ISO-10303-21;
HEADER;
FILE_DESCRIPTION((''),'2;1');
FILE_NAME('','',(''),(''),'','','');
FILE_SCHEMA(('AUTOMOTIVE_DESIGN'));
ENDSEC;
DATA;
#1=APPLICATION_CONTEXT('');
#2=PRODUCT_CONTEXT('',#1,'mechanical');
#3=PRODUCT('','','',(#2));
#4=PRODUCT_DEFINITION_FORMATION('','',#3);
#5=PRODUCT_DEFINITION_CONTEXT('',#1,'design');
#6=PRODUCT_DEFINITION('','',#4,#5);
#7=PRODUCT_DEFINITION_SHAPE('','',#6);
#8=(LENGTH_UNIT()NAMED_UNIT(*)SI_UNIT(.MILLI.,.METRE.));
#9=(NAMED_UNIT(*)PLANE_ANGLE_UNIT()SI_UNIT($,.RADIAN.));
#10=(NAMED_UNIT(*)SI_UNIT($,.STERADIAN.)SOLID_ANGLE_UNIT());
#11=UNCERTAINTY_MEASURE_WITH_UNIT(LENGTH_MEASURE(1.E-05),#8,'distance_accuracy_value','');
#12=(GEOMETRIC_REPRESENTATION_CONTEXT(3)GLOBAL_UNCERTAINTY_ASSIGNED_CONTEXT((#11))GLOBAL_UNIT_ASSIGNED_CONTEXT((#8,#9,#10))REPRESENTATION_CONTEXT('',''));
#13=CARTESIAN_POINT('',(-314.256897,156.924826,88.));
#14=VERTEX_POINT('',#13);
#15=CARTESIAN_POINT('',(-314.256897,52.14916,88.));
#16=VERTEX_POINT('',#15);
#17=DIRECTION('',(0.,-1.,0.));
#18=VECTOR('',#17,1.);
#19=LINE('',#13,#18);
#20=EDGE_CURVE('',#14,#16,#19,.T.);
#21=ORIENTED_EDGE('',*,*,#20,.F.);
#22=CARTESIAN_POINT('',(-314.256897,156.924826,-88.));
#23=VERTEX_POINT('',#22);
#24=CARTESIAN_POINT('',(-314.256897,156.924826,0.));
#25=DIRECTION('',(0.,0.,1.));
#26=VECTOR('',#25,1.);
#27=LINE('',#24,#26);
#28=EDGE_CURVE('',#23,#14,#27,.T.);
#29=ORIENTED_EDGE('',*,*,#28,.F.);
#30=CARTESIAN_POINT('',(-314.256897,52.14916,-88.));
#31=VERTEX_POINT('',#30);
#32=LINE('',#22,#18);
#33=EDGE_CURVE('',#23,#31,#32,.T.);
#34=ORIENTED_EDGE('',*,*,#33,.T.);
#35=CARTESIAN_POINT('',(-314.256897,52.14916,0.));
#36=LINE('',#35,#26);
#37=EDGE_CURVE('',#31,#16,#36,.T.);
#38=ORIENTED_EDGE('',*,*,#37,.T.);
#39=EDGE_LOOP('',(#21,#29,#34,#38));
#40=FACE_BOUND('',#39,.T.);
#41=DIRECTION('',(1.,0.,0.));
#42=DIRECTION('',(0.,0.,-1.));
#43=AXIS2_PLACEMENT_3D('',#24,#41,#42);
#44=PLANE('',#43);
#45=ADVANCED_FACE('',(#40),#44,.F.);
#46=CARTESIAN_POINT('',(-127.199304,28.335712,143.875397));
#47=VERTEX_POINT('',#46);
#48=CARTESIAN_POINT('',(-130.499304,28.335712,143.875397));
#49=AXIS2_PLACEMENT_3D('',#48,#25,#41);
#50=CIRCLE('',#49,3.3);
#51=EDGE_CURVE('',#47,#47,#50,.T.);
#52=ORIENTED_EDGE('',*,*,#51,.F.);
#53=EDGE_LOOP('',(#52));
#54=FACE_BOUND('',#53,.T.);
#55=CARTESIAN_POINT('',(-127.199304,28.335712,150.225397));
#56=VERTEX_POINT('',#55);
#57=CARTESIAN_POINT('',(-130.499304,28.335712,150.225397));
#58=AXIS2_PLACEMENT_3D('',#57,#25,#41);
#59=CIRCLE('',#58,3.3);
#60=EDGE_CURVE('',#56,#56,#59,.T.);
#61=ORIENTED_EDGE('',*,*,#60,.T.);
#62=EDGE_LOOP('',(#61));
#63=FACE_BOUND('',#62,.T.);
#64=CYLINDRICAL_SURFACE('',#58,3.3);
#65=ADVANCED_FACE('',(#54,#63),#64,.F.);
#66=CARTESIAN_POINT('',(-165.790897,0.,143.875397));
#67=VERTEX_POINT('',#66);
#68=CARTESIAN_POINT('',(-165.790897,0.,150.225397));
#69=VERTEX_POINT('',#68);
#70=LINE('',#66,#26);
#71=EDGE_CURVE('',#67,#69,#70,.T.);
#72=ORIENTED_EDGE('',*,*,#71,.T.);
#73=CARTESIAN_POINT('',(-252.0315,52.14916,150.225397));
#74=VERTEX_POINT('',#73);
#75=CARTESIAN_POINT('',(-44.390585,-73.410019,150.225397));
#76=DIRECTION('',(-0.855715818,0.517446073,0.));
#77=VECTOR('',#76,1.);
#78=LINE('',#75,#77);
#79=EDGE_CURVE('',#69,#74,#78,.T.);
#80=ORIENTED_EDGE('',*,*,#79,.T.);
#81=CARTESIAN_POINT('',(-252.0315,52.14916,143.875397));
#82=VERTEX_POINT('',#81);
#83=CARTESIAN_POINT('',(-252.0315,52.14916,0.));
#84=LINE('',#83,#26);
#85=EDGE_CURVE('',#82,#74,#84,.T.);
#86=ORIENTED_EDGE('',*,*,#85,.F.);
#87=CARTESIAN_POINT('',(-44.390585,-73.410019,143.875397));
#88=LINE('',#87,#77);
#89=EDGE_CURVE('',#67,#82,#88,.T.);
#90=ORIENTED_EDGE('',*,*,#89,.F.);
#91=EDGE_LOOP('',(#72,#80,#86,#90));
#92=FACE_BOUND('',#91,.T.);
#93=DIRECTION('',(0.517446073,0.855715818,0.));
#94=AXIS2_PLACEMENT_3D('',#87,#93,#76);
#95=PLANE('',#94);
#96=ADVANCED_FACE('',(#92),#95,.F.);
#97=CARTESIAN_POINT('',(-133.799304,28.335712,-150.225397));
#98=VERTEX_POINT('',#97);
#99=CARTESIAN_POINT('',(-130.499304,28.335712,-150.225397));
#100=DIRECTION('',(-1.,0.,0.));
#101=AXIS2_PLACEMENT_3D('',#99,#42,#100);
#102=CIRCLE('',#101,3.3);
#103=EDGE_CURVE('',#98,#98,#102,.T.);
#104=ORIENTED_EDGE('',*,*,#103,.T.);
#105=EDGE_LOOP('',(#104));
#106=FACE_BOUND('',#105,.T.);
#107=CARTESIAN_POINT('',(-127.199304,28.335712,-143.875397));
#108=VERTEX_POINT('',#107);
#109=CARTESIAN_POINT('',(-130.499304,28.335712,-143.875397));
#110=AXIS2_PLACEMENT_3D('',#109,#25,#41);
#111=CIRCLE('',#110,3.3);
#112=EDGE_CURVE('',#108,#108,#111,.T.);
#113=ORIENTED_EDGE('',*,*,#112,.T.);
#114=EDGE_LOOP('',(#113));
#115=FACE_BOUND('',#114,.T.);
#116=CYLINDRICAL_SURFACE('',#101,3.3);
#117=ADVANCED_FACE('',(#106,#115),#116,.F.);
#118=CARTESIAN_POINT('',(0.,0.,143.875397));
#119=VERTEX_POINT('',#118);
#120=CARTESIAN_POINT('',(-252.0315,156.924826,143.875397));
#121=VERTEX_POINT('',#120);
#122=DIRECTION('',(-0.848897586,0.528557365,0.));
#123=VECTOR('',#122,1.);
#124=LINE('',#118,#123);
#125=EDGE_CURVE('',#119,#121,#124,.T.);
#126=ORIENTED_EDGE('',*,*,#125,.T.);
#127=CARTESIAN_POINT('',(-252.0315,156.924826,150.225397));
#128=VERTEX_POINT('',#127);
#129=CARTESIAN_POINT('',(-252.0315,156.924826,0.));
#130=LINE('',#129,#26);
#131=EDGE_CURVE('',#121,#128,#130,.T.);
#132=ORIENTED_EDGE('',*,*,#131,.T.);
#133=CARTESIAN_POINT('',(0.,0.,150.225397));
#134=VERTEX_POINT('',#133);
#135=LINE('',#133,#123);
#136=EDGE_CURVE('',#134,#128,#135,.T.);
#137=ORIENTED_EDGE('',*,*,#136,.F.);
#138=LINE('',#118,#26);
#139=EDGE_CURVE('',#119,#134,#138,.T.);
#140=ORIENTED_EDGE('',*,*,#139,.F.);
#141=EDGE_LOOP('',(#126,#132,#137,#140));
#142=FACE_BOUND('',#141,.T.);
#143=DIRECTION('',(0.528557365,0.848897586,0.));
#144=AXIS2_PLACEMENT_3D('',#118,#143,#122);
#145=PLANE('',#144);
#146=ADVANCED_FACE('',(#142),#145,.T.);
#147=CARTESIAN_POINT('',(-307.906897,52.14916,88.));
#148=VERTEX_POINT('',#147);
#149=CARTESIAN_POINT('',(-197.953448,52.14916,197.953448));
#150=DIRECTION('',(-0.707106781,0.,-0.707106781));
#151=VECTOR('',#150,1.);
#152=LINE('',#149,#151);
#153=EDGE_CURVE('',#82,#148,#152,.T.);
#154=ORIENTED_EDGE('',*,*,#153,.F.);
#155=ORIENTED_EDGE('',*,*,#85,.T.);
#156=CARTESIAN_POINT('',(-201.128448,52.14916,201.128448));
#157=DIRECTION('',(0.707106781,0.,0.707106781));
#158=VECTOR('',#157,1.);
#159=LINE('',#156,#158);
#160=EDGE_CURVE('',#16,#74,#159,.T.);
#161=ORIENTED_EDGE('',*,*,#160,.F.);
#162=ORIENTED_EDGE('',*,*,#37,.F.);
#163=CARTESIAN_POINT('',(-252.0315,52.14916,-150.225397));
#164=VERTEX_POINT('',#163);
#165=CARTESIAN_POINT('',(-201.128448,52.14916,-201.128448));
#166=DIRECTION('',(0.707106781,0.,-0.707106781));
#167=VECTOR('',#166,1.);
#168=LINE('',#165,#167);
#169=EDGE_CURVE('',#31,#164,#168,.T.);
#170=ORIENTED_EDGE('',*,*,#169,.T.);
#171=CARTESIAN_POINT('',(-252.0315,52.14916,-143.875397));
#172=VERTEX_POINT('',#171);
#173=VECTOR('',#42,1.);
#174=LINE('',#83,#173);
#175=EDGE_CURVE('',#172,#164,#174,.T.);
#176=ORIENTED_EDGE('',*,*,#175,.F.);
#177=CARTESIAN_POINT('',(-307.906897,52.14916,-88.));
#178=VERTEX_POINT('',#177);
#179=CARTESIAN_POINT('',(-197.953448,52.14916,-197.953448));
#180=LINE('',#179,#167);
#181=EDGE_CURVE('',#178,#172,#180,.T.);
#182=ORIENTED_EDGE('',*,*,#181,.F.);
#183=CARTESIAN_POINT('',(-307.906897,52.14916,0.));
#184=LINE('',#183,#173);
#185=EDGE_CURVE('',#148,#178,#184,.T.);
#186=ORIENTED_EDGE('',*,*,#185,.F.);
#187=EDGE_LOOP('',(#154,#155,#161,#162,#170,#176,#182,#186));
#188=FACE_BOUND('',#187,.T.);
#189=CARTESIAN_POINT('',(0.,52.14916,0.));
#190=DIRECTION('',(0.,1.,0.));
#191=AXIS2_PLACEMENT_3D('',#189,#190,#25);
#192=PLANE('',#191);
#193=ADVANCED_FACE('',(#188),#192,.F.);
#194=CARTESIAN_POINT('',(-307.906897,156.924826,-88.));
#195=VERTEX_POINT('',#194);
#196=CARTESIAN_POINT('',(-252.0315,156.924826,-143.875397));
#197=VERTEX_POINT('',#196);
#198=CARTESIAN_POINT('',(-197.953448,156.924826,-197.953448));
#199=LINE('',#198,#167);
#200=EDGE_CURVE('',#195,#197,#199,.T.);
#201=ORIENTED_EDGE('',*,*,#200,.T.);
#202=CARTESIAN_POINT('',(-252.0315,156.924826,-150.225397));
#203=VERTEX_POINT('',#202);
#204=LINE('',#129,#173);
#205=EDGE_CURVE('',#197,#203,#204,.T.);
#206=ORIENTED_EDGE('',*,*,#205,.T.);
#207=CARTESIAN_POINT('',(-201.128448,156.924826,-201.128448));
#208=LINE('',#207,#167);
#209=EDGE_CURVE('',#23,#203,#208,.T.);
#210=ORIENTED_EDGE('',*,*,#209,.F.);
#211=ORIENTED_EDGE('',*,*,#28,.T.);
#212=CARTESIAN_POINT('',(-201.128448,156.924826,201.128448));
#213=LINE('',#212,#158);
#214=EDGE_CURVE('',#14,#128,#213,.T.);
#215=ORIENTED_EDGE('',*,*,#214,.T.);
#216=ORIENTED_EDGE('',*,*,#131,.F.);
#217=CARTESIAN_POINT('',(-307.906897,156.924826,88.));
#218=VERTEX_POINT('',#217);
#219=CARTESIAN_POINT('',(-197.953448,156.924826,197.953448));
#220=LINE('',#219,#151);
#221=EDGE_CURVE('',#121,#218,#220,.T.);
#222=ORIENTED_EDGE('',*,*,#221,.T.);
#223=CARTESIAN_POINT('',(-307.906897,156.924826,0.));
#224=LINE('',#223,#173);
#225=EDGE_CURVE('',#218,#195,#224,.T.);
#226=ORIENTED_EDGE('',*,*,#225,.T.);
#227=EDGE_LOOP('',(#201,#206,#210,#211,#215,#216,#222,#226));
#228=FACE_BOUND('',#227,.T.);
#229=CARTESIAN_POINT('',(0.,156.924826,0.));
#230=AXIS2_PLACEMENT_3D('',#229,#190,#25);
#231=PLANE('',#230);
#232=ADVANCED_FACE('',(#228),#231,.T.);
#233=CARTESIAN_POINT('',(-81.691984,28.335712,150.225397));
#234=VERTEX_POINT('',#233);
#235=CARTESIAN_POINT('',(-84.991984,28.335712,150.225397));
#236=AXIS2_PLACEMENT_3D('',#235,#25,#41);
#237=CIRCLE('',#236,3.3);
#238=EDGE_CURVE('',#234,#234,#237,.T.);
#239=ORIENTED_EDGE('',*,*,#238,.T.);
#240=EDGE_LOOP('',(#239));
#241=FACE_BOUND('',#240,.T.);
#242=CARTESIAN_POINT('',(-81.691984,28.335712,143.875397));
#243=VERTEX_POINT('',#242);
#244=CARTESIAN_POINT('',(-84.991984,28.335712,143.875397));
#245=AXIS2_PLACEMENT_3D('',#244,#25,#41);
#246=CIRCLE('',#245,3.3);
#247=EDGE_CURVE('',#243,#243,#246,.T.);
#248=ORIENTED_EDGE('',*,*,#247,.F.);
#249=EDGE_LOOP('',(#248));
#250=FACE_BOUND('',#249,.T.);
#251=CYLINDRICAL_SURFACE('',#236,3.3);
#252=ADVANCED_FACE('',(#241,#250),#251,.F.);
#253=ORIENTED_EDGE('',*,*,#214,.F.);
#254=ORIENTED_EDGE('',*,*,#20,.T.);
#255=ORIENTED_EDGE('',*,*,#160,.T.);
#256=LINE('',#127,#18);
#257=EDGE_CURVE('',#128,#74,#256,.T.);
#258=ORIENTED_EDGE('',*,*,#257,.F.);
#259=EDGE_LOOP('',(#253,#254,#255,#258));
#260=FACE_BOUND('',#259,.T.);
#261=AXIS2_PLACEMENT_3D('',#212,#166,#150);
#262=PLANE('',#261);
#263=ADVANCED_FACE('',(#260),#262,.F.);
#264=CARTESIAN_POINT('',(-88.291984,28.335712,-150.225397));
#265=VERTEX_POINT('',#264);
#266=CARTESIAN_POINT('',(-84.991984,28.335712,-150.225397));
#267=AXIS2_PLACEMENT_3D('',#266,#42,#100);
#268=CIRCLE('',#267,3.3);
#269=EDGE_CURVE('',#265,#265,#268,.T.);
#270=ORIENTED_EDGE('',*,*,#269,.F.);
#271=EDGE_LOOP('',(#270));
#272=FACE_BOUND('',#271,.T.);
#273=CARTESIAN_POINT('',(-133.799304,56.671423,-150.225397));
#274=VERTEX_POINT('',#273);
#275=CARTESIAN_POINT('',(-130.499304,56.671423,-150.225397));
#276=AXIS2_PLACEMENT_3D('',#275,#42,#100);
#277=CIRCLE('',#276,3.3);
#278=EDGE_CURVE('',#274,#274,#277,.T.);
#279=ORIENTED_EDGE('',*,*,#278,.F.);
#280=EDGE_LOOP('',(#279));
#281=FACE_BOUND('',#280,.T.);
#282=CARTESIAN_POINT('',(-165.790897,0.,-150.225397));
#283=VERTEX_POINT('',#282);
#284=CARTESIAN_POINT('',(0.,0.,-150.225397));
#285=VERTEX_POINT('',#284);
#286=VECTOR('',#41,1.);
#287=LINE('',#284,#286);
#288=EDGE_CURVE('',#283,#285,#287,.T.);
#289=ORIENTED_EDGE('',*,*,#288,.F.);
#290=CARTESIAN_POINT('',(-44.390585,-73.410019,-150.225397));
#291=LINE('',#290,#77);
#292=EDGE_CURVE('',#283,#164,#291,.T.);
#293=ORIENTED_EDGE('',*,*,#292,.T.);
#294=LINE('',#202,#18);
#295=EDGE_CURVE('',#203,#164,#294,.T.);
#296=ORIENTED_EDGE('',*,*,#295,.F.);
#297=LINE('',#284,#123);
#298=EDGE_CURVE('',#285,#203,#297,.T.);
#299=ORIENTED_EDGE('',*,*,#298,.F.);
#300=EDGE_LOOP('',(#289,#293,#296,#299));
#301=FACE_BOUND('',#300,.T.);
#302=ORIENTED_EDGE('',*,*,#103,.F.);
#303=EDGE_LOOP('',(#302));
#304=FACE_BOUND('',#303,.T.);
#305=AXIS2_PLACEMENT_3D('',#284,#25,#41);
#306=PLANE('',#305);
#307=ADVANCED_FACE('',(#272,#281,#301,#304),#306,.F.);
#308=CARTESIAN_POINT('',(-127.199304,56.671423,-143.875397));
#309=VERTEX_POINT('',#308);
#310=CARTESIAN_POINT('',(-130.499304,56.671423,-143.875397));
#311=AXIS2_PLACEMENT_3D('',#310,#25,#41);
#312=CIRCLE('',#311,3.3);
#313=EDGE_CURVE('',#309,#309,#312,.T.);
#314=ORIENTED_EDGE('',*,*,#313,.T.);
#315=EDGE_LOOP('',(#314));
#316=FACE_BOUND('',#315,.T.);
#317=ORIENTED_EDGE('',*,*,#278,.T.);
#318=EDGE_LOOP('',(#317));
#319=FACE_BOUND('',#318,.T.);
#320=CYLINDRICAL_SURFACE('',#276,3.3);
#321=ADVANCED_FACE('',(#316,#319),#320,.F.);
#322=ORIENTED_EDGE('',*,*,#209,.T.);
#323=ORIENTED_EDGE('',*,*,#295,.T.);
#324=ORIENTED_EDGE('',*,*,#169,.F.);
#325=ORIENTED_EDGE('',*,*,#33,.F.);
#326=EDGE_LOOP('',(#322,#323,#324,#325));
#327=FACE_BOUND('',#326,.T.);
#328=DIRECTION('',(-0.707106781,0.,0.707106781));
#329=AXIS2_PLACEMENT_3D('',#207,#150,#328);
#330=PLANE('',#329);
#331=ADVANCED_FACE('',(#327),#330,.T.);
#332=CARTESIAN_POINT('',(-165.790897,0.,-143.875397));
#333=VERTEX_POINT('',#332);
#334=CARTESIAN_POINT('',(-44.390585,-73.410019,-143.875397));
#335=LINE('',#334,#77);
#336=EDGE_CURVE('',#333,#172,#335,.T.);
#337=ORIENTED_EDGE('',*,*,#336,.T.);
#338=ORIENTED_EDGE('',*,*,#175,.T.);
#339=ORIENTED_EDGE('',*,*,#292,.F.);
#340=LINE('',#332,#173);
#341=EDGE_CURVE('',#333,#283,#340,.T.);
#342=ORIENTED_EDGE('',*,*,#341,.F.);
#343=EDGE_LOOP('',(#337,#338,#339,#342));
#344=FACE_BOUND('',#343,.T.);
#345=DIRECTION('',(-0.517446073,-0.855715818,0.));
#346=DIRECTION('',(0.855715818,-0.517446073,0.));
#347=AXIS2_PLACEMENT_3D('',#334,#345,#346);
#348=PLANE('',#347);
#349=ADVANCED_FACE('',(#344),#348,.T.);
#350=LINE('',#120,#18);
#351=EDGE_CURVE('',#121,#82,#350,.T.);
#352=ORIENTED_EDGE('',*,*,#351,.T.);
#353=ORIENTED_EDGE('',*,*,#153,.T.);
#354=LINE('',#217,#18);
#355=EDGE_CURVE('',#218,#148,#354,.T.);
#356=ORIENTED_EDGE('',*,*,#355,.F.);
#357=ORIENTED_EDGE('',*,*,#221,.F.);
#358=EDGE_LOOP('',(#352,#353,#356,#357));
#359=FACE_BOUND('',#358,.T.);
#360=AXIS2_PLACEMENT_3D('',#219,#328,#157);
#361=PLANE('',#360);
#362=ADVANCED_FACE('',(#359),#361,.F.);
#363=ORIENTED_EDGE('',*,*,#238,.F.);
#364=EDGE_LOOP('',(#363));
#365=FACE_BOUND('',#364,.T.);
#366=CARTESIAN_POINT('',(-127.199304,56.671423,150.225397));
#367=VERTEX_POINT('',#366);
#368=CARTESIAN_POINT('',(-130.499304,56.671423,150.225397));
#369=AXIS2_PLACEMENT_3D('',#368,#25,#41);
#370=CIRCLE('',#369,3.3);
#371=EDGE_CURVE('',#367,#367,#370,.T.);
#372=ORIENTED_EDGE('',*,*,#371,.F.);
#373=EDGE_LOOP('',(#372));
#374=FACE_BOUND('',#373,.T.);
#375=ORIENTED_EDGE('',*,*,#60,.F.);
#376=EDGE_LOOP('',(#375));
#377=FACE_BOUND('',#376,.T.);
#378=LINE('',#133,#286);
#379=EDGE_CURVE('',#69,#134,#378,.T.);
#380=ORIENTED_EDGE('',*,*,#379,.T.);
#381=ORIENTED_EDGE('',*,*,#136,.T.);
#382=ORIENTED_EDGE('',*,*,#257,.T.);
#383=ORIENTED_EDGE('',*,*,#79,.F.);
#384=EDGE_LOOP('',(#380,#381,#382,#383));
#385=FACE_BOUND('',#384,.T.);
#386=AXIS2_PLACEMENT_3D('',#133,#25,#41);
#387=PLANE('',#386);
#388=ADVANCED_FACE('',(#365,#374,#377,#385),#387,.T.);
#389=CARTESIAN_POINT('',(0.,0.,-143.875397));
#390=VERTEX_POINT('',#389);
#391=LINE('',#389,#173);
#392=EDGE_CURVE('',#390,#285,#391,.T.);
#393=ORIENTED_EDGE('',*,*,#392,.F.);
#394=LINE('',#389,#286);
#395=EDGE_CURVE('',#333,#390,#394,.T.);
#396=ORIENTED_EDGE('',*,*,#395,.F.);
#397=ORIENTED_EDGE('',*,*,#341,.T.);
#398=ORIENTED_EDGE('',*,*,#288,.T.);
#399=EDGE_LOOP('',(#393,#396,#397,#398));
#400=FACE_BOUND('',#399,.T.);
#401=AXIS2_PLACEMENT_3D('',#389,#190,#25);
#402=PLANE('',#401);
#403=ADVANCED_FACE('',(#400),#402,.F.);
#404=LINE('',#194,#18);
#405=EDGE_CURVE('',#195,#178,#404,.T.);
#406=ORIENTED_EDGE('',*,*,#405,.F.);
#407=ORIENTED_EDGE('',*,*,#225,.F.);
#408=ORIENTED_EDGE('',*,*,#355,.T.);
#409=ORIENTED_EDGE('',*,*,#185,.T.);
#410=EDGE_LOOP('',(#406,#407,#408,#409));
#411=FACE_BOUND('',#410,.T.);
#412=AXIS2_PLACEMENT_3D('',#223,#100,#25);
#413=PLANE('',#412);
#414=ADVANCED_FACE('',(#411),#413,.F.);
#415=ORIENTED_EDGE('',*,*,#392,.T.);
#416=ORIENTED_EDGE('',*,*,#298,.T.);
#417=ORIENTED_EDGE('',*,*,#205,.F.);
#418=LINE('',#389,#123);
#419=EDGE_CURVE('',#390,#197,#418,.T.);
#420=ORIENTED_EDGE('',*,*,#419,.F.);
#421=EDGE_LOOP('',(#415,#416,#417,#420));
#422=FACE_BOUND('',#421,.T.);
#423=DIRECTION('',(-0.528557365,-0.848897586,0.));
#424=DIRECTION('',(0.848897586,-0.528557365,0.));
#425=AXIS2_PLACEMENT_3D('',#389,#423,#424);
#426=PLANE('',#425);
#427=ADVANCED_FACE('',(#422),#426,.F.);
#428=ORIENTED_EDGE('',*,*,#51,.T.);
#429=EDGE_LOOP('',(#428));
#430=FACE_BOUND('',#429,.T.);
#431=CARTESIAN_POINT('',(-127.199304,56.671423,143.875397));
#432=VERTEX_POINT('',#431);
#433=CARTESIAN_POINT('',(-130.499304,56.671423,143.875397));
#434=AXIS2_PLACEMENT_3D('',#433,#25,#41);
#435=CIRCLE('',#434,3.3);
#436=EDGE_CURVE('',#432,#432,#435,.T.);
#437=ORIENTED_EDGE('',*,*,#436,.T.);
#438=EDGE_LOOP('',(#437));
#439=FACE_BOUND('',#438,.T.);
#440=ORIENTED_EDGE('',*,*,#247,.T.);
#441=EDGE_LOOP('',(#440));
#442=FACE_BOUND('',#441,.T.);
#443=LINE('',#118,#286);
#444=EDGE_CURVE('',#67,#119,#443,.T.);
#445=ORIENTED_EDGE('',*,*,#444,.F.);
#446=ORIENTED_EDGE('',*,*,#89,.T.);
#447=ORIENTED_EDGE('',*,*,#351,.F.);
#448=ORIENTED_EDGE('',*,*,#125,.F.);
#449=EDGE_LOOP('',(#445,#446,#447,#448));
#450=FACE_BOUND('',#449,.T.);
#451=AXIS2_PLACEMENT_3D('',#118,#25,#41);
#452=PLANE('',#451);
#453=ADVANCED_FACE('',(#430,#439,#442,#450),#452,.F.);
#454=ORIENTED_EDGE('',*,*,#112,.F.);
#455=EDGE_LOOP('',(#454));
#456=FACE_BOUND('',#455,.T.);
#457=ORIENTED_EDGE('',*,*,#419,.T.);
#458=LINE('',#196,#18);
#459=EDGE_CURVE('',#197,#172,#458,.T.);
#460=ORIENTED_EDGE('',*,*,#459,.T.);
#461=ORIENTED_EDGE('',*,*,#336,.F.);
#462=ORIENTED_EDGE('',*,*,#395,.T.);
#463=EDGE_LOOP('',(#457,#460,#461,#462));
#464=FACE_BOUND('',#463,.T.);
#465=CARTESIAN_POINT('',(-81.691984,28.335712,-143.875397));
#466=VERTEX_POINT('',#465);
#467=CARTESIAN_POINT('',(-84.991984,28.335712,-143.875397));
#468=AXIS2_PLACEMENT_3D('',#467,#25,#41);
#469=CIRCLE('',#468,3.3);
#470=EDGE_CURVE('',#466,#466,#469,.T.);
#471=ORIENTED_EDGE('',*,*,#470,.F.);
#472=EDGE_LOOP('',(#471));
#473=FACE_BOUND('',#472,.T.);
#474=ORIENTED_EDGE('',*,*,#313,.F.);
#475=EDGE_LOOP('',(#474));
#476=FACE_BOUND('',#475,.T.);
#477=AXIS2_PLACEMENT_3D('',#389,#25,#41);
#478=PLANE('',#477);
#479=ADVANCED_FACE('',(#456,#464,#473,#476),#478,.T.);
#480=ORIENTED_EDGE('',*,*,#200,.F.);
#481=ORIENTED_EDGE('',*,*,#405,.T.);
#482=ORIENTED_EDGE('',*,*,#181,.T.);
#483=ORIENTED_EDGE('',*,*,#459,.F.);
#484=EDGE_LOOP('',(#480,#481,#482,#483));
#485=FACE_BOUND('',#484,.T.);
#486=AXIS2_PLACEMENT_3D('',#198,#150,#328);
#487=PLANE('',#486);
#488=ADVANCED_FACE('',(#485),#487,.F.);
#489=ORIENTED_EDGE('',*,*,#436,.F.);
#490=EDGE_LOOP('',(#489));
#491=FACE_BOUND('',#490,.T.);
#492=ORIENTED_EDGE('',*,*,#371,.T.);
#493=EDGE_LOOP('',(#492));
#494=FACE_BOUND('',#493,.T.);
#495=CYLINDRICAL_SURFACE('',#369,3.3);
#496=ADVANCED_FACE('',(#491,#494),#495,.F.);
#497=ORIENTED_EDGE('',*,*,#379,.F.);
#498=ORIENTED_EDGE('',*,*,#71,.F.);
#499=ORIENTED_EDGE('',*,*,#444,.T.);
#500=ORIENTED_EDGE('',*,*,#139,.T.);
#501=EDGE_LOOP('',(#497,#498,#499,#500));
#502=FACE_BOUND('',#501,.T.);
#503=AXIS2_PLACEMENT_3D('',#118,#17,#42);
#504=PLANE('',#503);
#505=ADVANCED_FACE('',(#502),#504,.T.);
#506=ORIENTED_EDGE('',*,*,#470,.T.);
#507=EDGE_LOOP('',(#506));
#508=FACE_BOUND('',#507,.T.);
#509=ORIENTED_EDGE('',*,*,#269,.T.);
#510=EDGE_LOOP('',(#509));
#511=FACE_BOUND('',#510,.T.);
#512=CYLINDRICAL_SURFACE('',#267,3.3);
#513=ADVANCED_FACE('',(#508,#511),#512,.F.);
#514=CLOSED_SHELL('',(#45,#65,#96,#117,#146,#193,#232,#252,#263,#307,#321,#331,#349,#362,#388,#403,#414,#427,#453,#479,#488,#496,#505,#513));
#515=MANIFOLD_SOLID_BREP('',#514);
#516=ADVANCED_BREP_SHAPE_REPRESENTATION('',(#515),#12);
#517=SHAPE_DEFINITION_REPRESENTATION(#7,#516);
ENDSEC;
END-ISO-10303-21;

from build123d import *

# Parameters (mm, degrees)
SKETCH5_W                = 6.35
SKETCH5_H                = 176
BOSS_EXTRUDE1_DEPTH      = 104.775666
BOSS_EXTRUDE2_DEPTH      = 6.35
BOSS_EXTRUDE3_DEPTH      = 6.35
M6_CLEARANCE_HOLE5_D     = 6.6
M6_CLEARANCE_HOLE5_DEPTH = 6.35
M6_CLEARANCE_HOLE4_D     = 6.6


with BuildPart() as part:
    # Sketch5 → Boss-Extrude1 (new body)
    with BuildSketch(Plane(origin=(0, 52.149159956, 0), x_dir=(1, 0, 0), z_dir=(0, 1, 0))):
        with Locations((-311.081896744, 0)):
            Rectangle(SKETCH5_W, SKETCH5_H)
        Polygon((-252.0315, -143.875396744), (-307.906896744, -88), (-314.256896744, -88), (-252.0315, -150.225396744), align=None)
        Polygon((-307.906896744, 88), (-252.0315, 143.875396744), (-252.0315, 150.225396744), (-314.256896744, 88), align=None)
    extrude(amount=BOSS_EXTRUDE1_DEPTH)

    # Sketch3 → Boss-Extrude2 (add)
    with BuildSketch(Plane.XY.offset(150.225396744)):
        Polygon((-130.499303898, 0), (-39.48466449, 0), (-84.991984194, 28.335711553), (-130.499303898, 28.335711553), align=None)
        Polygon((-39.48466449, 0), (0, 0), (-119.473415555, 74.388895455), (-165.790897492, 0), (-130.499303898, 0), (-130.499303898, 28.335711553), (-130.499303898, 56.671423106), (-84.991984194, 28.335711553), align=None)
        Polygon((-165.790897492, 0), (-119.473415555, 74.388895455), (-165.790897492, 103.228), align=None)
        Polygon((-130.499303898, 28.335711553), (-84.991984194, 28.335711553), (-130.499303898, 56.671423106), align=None)
        Polygon((-165.790897492, 0), (-165.790897492, 103.228), (-252.0315, 156.924825642), (-252.0315, 52.149159956), align=None)
    extrude(amount=-BOSS_EXTRUDE2_DEPTH)

    # Sketch8 → Boss-Extrude3 (add)
    with BuildSketch(Plane.XY.offset(-150.225396744)):
        Polygon((-165.790897492, 0), (-165.790897492, 103.228), (-252.0315, 156.924825642), (-252.0315, 52.149159956), align=None)
        Polygon((-165.790897492, 0), (-119.473415555, 74.388895455), (-165.790897492, 103.228), align=None)
        Polygon((-39.48466449, 0), (0, 0), (-119.473415555, 74.388895455), (-165.790897492, 0), (-130.499303898, 0), (-130.499303898, 28.335711553), (-130.499303898, 56.671423106), (-84.991984194, 28.335711553), align=None)
        Polygon((-130.499303898, 0), (-39.48466449, 0), (-84.991984194, 28.335711553), (-130.499303898, 28.335711553), align=None)
        Polygon((-130.499303898, 28.335711553), (-84.991984194, 28.335711553), (-130.499303898, 56.671423106), align=None)
    extrude(amount=BOSS_EXTRUDE3_DEPTH)

    # M6 Clearance Hole5
    with Locations(Plane(origin=(0, 0, -150.225396744), x_dir=(1, 0, 0), z_dir=(0, 0, -1))):
        with Locations((-84.991984194, -28.335711553), (-130.499303898, -28.335711553), (-130.499303898, -56.671423106)):
            Hole(M6_CLEARANCE_HOLE5_D / 2, depth=M6_CLEARANCE_HOLE5_DEPTH)

    # M6 Clearance Hole4 (through all)
    with Locations(Plane.XY.offset(150.225396744)):
        with Locations((-84.991984194, 28.335711553), (-130.499303898, 28.335711553), (-130.499303898, 56.671423106)):
            Hole(M6_CLEARANCE_HOLE4_D / 2)


solid = part.part
